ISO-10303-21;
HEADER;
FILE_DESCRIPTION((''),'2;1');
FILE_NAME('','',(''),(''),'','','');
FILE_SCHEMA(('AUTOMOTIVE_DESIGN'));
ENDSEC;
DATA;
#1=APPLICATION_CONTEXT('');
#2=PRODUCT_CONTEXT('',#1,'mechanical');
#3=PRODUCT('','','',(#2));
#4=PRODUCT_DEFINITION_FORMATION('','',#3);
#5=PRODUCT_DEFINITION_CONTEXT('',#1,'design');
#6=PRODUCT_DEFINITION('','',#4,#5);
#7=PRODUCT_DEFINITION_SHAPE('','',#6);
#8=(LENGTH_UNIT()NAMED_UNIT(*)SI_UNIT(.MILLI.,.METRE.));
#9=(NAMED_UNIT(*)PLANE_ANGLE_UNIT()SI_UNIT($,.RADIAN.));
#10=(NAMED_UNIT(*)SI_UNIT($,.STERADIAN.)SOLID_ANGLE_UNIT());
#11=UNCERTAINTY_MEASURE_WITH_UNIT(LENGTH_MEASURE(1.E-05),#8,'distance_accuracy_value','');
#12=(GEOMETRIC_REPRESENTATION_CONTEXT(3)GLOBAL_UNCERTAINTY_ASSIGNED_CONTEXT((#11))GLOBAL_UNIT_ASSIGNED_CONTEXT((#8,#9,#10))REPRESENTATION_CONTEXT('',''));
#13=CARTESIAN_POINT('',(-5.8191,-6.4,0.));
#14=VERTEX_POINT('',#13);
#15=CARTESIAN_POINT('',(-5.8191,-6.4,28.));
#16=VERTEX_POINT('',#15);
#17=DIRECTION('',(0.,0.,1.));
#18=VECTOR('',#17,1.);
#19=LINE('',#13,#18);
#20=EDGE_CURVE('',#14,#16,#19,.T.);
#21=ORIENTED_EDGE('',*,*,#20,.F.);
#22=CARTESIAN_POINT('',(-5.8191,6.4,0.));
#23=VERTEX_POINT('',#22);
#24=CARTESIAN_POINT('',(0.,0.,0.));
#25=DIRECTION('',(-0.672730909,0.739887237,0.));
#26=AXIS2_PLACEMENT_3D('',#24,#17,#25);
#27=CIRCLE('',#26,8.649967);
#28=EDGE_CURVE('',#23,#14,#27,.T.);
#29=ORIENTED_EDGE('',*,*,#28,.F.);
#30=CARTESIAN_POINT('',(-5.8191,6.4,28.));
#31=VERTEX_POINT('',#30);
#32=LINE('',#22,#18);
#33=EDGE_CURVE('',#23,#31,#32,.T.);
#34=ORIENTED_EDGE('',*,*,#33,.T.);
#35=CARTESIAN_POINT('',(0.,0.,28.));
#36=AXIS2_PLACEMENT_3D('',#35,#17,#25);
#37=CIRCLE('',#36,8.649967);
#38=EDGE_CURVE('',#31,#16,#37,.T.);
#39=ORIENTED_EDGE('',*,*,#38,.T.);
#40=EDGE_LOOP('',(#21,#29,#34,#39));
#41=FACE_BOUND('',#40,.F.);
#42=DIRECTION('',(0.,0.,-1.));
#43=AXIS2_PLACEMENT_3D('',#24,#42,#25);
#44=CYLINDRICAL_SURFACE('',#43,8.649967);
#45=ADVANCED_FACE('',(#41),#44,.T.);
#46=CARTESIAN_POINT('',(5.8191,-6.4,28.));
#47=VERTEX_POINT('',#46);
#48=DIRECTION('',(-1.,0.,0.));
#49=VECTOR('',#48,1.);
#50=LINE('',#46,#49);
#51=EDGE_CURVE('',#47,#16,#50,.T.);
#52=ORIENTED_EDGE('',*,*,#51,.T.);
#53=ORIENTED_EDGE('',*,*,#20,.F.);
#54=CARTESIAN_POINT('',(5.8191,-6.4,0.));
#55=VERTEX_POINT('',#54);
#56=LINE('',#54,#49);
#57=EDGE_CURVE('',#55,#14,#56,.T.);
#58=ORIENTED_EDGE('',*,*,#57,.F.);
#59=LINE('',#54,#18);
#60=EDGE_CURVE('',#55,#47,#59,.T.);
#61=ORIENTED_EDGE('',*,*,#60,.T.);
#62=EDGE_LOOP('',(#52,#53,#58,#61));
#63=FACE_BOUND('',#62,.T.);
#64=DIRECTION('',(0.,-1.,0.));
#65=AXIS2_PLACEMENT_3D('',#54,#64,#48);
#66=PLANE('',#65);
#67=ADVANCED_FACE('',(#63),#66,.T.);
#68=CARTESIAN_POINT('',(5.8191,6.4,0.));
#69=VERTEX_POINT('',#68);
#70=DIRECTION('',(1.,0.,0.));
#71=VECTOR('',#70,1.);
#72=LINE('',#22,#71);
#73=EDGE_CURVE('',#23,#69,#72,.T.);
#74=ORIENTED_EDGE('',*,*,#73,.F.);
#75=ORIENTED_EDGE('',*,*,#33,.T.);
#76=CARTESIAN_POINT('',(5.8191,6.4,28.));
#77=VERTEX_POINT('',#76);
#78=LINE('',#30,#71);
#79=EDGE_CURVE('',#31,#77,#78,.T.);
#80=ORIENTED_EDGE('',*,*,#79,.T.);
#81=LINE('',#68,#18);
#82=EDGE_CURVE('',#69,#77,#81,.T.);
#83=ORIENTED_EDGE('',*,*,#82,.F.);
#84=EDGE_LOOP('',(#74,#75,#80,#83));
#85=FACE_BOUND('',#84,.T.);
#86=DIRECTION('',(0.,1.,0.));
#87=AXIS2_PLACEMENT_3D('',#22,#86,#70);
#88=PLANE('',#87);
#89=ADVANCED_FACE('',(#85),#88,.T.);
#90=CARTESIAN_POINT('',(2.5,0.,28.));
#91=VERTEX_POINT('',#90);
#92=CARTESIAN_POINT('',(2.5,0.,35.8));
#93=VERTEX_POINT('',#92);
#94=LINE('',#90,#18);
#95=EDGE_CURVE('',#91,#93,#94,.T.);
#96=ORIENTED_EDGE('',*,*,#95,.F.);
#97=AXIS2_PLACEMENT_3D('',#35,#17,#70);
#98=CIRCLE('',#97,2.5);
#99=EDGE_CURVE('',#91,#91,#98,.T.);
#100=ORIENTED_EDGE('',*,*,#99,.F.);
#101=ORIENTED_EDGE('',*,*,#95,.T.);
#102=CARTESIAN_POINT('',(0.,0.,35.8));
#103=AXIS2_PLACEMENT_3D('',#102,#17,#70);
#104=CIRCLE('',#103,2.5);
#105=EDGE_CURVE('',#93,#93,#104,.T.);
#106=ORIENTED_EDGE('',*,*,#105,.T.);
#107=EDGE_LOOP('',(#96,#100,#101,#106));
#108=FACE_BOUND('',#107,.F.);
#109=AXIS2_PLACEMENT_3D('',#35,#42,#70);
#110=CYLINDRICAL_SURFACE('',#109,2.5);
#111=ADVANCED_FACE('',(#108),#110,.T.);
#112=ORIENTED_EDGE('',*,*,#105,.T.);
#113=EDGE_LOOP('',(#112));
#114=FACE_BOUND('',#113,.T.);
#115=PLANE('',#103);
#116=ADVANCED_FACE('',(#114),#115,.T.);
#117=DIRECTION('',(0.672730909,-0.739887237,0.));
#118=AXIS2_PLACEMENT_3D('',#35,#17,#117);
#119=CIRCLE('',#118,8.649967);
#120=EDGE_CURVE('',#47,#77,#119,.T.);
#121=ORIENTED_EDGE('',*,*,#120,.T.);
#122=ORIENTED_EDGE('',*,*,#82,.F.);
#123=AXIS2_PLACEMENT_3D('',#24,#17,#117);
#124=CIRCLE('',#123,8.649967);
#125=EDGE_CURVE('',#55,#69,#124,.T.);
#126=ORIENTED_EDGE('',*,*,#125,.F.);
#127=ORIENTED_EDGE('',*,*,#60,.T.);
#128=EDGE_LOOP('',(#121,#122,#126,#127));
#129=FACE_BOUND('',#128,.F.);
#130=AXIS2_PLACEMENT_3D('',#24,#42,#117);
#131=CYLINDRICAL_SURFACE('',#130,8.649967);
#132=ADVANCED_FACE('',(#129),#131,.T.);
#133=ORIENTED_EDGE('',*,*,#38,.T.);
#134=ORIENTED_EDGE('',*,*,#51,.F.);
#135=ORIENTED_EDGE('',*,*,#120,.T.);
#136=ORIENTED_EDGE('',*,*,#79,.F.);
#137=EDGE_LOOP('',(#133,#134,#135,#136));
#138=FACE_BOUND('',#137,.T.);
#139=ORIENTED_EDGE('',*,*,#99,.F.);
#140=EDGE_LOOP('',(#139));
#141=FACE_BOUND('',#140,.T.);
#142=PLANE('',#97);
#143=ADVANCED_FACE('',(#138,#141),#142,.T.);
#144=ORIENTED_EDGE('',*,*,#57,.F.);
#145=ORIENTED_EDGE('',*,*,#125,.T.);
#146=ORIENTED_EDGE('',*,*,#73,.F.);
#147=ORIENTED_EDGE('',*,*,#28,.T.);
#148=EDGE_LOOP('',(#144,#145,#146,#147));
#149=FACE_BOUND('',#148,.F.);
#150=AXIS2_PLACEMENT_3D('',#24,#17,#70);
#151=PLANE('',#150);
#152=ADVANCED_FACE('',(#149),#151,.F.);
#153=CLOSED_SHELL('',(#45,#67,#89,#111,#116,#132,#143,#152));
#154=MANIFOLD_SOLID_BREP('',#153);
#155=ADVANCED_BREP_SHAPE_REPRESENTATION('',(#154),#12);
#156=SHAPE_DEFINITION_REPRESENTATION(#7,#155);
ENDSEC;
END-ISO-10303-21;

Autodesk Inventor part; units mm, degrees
ref_plane "YZ Plane" through (0, 0, 0) normal (1, 0, 0) x (0, 1, 0)
ref_plane "XZ Plane" through (0, 0, 0) normal (0, 1, 0) x (-1, 0, 0)
ref_plane "XY Plane" through (0, 0, 0) normal (0, 0, 1) x (1, 0, 0)
sketch "Sketch1" plane through (0, 0, 0) normal (0, 0, 1) x (1, 0, 0)
  line L0 (5.8191, -6.4) -> (-5.8191, -6.4)
  line L1 (-5.8191, -6.4) -> (-5.8191, 6.4) construction
  line L2 (-5.8191, 6.4) -> (5.8191, 6.4)
  line L3 (5.8191, -6.4) -> (-5.8191, 6.4) construction
  line L4 (-5.8191, -6.4) -> (5.8191, 6.4) construction
  arc A0 (-5.8191, 6.4) -> (-5.8191, -6.4) centre (0, 0) ccw
  arc A1 (5.8191, -6.4) -> (5.8191, 6.4) centre (0, 0) ccw
  dimension "d1" = 12.8
extrude "Extrusion1" add sketch "Sketch1" along normal blind 28
sketch "Sketch2" plane through (0, 0, 28) normal (0, 0, 1) x (1, 0, 0)
  circle A0 centre (0, 0) radius 2.5
  dimension "d4" = 5
extrude "Extrusion2" add sketch "Sketch2" along normal blind 7.8
properties part number "dc_motor"
